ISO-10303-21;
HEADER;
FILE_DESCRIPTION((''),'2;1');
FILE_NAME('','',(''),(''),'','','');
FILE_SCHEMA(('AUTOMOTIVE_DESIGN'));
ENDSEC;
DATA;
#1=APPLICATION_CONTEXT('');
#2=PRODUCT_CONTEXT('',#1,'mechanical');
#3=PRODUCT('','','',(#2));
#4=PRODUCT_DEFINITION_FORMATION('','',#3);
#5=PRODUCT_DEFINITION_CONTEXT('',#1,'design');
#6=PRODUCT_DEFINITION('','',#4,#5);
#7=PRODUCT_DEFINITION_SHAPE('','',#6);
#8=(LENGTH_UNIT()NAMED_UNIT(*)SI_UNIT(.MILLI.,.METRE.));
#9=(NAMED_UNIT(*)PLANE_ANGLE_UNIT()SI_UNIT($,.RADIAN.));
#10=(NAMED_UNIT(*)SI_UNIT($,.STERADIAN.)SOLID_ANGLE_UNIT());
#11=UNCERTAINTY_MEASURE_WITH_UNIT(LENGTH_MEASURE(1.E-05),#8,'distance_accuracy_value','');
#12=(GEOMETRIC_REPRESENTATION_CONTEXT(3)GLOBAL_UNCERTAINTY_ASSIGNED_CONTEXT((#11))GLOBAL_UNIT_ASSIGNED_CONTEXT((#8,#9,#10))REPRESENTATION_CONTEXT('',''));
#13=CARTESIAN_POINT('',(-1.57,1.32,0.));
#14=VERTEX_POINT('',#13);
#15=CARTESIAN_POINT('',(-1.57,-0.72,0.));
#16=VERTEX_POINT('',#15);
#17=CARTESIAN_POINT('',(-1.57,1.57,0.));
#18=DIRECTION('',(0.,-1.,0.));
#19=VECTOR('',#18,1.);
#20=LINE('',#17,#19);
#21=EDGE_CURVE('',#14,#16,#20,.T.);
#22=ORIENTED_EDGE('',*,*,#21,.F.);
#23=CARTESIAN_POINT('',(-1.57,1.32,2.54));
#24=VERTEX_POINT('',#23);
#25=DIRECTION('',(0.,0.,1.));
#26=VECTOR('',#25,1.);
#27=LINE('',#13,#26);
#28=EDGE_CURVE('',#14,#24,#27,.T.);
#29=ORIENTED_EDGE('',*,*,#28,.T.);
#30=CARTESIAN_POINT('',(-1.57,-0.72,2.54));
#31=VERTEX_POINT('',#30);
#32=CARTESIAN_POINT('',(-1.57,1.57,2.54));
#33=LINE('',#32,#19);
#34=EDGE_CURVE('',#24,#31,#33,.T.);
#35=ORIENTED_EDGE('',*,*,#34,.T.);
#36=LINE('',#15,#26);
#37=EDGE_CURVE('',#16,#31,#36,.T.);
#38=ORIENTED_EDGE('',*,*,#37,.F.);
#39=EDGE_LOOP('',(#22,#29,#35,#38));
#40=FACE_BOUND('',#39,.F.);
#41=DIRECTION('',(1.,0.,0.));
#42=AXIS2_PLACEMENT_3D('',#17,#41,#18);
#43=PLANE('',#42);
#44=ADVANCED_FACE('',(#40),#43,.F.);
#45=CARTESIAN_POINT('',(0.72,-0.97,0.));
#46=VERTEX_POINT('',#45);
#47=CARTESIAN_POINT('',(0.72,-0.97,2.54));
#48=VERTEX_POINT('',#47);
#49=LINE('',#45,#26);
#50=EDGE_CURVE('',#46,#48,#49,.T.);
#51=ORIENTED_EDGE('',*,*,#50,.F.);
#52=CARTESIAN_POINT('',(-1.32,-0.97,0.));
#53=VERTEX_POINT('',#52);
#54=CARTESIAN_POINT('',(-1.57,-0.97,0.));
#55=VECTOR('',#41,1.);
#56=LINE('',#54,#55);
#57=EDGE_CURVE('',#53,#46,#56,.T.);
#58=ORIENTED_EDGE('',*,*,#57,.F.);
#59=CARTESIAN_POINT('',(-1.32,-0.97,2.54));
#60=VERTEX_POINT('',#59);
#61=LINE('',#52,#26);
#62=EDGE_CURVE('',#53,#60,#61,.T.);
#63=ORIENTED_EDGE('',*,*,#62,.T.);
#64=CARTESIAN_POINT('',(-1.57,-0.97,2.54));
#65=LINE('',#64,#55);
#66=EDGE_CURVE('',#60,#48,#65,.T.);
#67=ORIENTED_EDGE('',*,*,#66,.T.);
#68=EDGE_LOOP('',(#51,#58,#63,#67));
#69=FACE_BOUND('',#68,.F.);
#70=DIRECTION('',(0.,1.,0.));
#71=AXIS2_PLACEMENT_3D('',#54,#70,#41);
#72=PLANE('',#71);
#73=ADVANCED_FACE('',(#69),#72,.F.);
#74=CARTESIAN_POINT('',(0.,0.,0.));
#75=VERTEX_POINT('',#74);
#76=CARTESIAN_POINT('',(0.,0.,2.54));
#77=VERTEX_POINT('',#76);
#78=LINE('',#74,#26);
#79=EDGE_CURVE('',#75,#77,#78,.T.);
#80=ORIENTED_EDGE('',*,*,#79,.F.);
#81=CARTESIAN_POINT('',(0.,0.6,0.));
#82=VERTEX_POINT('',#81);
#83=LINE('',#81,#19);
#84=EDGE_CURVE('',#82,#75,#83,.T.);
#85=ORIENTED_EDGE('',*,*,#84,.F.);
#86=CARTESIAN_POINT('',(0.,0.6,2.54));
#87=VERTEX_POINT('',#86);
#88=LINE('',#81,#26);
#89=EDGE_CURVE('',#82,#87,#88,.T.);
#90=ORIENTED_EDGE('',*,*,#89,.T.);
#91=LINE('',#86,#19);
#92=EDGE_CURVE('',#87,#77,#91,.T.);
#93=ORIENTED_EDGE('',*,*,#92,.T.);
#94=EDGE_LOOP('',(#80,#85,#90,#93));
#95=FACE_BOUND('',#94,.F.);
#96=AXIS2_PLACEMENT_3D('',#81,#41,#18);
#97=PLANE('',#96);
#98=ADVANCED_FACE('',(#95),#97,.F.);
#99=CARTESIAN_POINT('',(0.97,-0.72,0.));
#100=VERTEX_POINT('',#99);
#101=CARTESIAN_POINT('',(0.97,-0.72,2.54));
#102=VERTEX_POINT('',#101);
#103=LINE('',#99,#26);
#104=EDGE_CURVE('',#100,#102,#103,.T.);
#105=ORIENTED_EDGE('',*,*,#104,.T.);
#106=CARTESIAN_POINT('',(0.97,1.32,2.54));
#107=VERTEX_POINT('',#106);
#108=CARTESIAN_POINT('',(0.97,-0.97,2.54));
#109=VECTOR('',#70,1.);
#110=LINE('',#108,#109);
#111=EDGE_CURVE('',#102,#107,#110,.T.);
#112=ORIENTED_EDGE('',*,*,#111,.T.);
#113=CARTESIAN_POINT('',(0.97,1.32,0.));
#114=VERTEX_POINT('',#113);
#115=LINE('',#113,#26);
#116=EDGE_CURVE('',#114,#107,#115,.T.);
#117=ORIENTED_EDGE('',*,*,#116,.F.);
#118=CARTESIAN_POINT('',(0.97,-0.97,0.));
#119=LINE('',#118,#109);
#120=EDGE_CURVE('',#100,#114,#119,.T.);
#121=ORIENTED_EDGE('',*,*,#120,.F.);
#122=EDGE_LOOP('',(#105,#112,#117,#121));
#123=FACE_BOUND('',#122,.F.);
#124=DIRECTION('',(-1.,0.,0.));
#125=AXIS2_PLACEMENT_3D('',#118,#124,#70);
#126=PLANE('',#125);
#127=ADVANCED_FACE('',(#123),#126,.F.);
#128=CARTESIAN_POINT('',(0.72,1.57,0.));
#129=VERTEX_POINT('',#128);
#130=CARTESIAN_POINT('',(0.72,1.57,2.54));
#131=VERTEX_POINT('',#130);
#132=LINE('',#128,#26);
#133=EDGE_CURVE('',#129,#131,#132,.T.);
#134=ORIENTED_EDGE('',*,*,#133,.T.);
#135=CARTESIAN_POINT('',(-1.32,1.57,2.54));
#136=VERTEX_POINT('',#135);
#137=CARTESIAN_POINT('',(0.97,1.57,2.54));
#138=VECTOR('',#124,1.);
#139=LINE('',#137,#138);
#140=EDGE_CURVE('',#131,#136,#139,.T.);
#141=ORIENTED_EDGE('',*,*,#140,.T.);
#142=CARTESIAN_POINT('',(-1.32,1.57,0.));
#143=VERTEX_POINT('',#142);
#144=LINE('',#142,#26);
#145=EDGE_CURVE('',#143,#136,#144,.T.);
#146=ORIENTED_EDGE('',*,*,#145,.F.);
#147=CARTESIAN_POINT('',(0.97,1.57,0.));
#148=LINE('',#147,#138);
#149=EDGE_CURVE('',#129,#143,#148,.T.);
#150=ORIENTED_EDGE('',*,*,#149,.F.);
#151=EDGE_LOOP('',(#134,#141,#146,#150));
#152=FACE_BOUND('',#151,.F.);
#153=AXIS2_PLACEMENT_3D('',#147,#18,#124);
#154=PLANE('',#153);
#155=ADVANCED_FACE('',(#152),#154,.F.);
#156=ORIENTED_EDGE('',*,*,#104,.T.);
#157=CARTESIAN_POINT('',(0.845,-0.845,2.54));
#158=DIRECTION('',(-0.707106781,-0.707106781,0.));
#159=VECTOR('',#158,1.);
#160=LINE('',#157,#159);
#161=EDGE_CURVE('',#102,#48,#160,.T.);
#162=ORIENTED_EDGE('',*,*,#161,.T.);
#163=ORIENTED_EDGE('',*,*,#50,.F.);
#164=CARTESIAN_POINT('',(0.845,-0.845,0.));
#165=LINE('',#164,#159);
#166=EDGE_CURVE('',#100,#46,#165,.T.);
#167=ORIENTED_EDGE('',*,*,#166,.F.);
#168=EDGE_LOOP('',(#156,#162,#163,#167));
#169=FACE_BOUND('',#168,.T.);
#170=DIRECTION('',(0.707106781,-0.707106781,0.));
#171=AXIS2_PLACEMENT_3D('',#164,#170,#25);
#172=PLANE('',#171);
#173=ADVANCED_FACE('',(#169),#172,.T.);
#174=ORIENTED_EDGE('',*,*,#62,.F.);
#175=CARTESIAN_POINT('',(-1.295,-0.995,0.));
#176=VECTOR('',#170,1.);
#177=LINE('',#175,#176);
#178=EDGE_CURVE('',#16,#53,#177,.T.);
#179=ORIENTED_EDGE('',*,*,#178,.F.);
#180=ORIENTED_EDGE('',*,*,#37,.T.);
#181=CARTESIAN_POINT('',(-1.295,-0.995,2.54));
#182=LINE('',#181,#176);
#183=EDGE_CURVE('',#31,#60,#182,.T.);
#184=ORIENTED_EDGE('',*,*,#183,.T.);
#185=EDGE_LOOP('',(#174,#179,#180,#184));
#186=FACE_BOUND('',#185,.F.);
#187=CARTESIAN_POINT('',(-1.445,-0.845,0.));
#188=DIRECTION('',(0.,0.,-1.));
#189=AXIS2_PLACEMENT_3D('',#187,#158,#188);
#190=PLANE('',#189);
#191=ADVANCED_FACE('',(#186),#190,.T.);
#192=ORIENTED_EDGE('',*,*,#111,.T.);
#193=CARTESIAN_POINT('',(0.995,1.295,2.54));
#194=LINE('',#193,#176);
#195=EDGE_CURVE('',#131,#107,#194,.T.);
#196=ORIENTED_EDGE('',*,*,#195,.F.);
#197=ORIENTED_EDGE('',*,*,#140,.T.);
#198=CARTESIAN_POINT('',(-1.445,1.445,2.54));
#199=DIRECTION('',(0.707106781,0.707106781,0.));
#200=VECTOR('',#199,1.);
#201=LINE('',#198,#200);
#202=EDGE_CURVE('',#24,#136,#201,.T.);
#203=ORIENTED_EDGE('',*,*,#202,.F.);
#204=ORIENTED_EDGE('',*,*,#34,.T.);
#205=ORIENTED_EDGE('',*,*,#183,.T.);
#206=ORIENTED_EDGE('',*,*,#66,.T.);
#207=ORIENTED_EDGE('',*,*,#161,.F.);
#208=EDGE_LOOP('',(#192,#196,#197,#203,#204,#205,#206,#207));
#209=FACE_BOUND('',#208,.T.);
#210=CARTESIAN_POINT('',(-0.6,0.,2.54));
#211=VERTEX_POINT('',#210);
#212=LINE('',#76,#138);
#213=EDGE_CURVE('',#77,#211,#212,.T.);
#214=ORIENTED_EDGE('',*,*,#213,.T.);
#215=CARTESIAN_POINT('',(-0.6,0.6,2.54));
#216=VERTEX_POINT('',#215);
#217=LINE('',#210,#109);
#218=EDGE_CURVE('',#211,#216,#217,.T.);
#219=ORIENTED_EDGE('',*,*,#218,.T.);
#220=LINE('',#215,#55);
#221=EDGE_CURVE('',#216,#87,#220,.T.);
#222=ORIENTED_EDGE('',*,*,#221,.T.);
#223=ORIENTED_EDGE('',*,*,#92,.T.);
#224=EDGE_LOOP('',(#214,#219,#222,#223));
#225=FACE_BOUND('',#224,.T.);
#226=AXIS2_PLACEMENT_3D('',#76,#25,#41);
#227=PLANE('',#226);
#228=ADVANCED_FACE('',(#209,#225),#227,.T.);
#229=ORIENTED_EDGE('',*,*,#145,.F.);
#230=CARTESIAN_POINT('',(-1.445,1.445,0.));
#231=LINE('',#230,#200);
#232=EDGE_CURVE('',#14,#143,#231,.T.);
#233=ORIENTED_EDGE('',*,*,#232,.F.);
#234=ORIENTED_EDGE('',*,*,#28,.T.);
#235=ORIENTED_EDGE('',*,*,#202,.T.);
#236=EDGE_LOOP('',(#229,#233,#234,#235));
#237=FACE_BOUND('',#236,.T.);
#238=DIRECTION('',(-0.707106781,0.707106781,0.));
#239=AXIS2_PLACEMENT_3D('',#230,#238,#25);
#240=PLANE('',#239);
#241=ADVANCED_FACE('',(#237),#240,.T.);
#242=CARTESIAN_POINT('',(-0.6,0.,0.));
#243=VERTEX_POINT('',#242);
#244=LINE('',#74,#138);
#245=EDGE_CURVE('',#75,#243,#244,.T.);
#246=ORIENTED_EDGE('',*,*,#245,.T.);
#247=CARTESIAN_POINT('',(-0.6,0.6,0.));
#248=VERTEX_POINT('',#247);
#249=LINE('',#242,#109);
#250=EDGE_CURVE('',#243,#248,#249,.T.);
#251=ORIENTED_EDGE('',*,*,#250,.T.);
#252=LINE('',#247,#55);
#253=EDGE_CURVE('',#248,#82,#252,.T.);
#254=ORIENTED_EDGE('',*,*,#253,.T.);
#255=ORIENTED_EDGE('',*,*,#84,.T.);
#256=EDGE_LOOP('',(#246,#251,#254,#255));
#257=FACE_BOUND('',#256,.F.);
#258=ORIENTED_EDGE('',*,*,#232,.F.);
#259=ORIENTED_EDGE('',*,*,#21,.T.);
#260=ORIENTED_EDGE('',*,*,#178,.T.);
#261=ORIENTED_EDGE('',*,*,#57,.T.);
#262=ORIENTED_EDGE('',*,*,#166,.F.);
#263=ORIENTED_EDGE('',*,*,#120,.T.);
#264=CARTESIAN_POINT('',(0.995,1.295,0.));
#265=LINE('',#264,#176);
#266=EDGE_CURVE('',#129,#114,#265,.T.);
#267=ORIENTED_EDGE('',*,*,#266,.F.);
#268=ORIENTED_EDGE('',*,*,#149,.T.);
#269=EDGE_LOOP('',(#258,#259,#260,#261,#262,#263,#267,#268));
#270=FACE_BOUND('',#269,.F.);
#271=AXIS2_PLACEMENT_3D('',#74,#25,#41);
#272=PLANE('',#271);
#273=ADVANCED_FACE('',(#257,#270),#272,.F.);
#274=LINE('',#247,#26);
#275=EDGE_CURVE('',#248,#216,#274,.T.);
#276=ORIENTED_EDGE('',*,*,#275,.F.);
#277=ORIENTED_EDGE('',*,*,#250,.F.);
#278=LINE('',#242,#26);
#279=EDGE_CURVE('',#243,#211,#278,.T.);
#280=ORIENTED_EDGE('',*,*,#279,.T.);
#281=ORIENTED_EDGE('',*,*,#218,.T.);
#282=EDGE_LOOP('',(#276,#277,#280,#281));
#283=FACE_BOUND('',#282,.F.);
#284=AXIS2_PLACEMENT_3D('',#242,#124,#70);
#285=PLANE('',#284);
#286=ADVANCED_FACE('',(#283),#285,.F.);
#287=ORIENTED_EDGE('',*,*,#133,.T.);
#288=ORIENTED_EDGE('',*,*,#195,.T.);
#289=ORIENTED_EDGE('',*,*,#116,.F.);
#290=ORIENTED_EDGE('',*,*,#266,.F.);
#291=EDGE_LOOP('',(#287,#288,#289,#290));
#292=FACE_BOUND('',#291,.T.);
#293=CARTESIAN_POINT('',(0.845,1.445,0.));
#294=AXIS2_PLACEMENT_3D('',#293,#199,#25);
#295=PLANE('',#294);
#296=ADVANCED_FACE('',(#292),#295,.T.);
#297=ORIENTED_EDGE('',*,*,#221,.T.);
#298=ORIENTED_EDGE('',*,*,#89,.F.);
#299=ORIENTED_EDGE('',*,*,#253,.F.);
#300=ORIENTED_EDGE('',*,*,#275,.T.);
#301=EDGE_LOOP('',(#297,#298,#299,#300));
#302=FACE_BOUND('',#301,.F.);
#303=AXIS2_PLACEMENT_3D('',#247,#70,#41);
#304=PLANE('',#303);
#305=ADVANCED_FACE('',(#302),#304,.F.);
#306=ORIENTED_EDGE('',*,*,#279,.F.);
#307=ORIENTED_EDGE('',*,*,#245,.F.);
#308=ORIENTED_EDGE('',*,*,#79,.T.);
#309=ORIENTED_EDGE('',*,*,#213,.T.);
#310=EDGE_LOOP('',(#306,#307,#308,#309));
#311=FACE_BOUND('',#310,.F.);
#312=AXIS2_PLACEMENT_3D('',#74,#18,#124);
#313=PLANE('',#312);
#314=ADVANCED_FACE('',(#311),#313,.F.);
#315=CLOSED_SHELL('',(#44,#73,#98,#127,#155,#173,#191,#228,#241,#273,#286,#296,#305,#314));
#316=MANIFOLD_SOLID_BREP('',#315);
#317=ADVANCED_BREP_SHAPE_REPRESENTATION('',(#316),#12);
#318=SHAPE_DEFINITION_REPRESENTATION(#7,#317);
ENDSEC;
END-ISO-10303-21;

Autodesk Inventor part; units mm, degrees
ref_plane "YZ Plane" through (0, 0, 0) normal (1, 0, 0) x (0, 1, 0)
ref_plane "XZ Plane" through (0, 0, 0) normal (0, 1, 0) x (-1, 0, 0)
ref_plane "XY Plane" through (0, 0, 0) normal (0, 0, 1) x (1, 0, 0)
ref_plane "Arbeitsebene1" through (0, 0, 0) normal (0, 0, 1) x (1, 0, 0)
sketch "Skizze1" plane through (0, 0, 0) normal (0, 0, 1) x (1, 0, 0)
  line L0 (0, 0) -> (-0.6, 0) projected
  line L1 (0, 0.6) -> (0, 0) projected
  line L2 (-0.6, 0) -> (-0.6, 0.6) projected
  line L3 (-0.6, 0.6) -> (0, 0.6) projected
  line L4 (-1.57, -0.97) -> (0.97, -0.97)
  line L5 (0.97, -0.97) -> (0.97, 1.57)
  line L6 (0.97, 1.57) -> (-1.57, 1.57)
  line L7 (-1.57, 1.57) -> (-1.57, -0.97)
  line L8 (-1.57, -0.97) -> (0.97, 1.57) construction
  line L9 (0.97, -0.97) -> (-1.57, 1.57) construction
  point P0 (-0.3, 0.3)
  point P1 (-0.3, 0.3)
  point P2 (-0.6, 0.3)
  point P3 (-0.3, -0.97)
  point P4 (-0.3, 0)
  dimension "d0" = 2.54
extrude "Extrusion1" add sketch "Skizze1" along normal blind 2.54
chamfer "Fase1" distance 0.25 angle 45 4 edges at (-1.57, -0.97, 1.27) (0.97, -0.97, 1.27) (0.97, 1.57, 1.27) (-1.57, 1.57, 1.27)
properties part number "Kontakthalter" material "PBT-Kunststoff"
